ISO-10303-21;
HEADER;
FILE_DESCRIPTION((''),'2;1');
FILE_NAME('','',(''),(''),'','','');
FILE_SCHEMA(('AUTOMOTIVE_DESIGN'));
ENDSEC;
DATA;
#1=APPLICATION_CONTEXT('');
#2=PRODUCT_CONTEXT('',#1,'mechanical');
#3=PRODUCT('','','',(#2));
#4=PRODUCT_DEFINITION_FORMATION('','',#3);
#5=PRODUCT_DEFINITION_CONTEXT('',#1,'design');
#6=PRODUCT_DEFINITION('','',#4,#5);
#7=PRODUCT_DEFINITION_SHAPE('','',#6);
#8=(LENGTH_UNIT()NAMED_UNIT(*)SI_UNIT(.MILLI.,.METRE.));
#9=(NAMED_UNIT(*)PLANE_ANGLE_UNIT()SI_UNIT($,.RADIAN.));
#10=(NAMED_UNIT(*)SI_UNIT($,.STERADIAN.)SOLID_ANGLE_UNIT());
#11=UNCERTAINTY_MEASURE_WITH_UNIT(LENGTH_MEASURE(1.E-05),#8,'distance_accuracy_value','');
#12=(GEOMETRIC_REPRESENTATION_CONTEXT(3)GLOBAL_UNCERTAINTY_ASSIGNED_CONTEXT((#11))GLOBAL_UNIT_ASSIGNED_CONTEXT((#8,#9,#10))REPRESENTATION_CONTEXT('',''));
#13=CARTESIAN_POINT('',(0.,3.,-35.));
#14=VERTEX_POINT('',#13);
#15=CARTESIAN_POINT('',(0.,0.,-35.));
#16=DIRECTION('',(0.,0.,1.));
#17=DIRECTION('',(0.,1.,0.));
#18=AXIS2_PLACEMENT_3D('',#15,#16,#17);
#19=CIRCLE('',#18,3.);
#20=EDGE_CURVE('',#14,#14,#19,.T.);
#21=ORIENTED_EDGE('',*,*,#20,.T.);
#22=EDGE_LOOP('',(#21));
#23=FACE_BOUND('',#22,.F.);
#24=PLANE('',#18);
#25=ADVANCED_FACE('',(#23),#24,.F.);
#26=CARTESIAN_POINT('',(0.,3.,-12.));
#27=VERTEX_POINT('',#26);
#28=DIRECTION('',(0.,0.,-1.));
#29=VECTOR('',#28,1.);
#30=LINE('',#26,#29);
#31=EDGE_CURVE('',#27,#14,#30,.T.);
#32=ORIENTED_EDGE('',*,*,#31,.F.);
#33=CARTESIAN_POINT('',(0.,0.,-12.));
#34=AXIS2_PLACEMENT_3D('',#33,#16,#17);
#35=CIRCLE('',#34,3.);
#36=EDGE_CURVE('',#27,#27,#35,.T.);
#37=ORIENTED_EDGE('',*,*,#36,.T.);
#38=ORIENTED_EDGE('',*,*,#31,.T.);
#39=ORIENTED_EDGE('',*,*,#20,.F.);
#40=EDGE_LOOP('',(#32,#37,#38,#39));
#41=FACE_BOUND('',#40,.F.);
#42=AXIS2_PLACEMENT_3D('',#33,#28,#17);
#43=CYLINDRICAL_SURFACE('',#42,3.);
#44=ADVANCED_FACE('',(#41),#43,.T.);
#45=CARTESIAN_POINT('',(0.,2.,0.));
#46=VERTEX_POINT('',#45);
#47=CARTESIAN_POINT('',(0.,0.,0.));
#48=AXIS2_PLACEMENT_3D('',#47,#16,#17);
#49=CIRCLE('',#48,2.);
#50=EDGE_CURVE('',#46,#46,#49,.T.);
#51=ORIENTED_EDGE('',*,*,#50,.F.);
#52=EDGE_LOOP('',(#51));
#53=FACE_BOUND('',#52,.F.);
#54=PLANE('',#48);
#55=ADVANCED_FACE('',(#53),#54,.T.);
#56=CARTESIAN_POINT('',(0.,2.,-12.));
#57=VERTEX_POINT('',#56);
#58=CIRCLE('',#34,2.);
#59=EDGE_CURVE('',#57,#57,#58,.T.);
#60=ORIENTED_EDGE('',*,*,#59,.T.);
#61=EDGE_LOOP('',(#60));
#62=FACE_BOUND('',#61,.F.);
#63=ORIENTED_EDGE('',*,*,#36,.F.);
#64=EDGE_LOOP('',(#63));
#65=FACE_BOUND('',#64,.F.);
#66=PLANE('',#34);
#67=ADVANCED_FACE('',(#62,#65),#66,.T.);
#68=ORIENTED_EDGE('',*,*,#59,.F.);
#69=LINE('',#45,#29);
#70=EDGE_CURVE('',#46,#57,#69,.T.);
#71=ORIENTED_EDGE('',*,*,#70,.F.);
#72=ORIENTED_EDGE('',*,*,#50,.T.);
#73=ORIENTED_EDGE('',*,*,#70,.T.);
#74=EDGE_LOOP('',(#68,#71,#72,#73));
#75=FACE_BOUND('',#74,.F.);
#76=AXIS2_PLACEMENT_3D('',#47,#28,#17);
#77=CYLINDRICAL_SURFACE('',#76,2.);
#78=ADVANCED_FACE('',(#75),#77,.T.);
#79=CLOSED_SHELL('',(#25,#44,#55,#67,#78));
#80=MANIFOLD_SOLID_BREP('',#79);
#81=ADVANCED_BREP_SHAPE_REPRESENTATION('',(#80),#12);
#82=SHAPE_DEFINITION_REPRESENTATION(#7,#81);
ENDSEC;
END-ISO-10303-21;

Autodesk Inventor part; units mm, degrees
ref_plane "YZ Plane" through (0, 0, 0) normal (1, 0, 0) x (0, 1, 0)
ref_plane "XZ Plane" through (0, 0, 0) normal (0, 1, 0) x (-1, 0, 0)
ref_plane "XY Plane" through (0, 0, 0) normal (0, 0, 1) x (1, 0, 0)
sketch "Esboço1" plane through (0, 0, 0) normal (1, 0, 0) x (0, 1, 0)
  line L0 (0, 0) -> (2, 0)
  line L1 (2, 0) -> (2, -12)
  line L2 (2, -12) -> (3, -12)
  line L3 (3, -12) -> (3, -35)
  line L4 (3, -35) -> (0, -35)
  line L5 (0, -35) -> (0, 0)
  dimension "d0" = 2
  dimension "d1" = 12
  dimension "d2" = 1
  dimension "d3" = 23
revolve "Revolução1" add sketch "Esboço1" angle 360 about axis through (0, 0, -35) along (0, 0, 1)
properties part number "crank_shaft" material "Steel, Mild"
